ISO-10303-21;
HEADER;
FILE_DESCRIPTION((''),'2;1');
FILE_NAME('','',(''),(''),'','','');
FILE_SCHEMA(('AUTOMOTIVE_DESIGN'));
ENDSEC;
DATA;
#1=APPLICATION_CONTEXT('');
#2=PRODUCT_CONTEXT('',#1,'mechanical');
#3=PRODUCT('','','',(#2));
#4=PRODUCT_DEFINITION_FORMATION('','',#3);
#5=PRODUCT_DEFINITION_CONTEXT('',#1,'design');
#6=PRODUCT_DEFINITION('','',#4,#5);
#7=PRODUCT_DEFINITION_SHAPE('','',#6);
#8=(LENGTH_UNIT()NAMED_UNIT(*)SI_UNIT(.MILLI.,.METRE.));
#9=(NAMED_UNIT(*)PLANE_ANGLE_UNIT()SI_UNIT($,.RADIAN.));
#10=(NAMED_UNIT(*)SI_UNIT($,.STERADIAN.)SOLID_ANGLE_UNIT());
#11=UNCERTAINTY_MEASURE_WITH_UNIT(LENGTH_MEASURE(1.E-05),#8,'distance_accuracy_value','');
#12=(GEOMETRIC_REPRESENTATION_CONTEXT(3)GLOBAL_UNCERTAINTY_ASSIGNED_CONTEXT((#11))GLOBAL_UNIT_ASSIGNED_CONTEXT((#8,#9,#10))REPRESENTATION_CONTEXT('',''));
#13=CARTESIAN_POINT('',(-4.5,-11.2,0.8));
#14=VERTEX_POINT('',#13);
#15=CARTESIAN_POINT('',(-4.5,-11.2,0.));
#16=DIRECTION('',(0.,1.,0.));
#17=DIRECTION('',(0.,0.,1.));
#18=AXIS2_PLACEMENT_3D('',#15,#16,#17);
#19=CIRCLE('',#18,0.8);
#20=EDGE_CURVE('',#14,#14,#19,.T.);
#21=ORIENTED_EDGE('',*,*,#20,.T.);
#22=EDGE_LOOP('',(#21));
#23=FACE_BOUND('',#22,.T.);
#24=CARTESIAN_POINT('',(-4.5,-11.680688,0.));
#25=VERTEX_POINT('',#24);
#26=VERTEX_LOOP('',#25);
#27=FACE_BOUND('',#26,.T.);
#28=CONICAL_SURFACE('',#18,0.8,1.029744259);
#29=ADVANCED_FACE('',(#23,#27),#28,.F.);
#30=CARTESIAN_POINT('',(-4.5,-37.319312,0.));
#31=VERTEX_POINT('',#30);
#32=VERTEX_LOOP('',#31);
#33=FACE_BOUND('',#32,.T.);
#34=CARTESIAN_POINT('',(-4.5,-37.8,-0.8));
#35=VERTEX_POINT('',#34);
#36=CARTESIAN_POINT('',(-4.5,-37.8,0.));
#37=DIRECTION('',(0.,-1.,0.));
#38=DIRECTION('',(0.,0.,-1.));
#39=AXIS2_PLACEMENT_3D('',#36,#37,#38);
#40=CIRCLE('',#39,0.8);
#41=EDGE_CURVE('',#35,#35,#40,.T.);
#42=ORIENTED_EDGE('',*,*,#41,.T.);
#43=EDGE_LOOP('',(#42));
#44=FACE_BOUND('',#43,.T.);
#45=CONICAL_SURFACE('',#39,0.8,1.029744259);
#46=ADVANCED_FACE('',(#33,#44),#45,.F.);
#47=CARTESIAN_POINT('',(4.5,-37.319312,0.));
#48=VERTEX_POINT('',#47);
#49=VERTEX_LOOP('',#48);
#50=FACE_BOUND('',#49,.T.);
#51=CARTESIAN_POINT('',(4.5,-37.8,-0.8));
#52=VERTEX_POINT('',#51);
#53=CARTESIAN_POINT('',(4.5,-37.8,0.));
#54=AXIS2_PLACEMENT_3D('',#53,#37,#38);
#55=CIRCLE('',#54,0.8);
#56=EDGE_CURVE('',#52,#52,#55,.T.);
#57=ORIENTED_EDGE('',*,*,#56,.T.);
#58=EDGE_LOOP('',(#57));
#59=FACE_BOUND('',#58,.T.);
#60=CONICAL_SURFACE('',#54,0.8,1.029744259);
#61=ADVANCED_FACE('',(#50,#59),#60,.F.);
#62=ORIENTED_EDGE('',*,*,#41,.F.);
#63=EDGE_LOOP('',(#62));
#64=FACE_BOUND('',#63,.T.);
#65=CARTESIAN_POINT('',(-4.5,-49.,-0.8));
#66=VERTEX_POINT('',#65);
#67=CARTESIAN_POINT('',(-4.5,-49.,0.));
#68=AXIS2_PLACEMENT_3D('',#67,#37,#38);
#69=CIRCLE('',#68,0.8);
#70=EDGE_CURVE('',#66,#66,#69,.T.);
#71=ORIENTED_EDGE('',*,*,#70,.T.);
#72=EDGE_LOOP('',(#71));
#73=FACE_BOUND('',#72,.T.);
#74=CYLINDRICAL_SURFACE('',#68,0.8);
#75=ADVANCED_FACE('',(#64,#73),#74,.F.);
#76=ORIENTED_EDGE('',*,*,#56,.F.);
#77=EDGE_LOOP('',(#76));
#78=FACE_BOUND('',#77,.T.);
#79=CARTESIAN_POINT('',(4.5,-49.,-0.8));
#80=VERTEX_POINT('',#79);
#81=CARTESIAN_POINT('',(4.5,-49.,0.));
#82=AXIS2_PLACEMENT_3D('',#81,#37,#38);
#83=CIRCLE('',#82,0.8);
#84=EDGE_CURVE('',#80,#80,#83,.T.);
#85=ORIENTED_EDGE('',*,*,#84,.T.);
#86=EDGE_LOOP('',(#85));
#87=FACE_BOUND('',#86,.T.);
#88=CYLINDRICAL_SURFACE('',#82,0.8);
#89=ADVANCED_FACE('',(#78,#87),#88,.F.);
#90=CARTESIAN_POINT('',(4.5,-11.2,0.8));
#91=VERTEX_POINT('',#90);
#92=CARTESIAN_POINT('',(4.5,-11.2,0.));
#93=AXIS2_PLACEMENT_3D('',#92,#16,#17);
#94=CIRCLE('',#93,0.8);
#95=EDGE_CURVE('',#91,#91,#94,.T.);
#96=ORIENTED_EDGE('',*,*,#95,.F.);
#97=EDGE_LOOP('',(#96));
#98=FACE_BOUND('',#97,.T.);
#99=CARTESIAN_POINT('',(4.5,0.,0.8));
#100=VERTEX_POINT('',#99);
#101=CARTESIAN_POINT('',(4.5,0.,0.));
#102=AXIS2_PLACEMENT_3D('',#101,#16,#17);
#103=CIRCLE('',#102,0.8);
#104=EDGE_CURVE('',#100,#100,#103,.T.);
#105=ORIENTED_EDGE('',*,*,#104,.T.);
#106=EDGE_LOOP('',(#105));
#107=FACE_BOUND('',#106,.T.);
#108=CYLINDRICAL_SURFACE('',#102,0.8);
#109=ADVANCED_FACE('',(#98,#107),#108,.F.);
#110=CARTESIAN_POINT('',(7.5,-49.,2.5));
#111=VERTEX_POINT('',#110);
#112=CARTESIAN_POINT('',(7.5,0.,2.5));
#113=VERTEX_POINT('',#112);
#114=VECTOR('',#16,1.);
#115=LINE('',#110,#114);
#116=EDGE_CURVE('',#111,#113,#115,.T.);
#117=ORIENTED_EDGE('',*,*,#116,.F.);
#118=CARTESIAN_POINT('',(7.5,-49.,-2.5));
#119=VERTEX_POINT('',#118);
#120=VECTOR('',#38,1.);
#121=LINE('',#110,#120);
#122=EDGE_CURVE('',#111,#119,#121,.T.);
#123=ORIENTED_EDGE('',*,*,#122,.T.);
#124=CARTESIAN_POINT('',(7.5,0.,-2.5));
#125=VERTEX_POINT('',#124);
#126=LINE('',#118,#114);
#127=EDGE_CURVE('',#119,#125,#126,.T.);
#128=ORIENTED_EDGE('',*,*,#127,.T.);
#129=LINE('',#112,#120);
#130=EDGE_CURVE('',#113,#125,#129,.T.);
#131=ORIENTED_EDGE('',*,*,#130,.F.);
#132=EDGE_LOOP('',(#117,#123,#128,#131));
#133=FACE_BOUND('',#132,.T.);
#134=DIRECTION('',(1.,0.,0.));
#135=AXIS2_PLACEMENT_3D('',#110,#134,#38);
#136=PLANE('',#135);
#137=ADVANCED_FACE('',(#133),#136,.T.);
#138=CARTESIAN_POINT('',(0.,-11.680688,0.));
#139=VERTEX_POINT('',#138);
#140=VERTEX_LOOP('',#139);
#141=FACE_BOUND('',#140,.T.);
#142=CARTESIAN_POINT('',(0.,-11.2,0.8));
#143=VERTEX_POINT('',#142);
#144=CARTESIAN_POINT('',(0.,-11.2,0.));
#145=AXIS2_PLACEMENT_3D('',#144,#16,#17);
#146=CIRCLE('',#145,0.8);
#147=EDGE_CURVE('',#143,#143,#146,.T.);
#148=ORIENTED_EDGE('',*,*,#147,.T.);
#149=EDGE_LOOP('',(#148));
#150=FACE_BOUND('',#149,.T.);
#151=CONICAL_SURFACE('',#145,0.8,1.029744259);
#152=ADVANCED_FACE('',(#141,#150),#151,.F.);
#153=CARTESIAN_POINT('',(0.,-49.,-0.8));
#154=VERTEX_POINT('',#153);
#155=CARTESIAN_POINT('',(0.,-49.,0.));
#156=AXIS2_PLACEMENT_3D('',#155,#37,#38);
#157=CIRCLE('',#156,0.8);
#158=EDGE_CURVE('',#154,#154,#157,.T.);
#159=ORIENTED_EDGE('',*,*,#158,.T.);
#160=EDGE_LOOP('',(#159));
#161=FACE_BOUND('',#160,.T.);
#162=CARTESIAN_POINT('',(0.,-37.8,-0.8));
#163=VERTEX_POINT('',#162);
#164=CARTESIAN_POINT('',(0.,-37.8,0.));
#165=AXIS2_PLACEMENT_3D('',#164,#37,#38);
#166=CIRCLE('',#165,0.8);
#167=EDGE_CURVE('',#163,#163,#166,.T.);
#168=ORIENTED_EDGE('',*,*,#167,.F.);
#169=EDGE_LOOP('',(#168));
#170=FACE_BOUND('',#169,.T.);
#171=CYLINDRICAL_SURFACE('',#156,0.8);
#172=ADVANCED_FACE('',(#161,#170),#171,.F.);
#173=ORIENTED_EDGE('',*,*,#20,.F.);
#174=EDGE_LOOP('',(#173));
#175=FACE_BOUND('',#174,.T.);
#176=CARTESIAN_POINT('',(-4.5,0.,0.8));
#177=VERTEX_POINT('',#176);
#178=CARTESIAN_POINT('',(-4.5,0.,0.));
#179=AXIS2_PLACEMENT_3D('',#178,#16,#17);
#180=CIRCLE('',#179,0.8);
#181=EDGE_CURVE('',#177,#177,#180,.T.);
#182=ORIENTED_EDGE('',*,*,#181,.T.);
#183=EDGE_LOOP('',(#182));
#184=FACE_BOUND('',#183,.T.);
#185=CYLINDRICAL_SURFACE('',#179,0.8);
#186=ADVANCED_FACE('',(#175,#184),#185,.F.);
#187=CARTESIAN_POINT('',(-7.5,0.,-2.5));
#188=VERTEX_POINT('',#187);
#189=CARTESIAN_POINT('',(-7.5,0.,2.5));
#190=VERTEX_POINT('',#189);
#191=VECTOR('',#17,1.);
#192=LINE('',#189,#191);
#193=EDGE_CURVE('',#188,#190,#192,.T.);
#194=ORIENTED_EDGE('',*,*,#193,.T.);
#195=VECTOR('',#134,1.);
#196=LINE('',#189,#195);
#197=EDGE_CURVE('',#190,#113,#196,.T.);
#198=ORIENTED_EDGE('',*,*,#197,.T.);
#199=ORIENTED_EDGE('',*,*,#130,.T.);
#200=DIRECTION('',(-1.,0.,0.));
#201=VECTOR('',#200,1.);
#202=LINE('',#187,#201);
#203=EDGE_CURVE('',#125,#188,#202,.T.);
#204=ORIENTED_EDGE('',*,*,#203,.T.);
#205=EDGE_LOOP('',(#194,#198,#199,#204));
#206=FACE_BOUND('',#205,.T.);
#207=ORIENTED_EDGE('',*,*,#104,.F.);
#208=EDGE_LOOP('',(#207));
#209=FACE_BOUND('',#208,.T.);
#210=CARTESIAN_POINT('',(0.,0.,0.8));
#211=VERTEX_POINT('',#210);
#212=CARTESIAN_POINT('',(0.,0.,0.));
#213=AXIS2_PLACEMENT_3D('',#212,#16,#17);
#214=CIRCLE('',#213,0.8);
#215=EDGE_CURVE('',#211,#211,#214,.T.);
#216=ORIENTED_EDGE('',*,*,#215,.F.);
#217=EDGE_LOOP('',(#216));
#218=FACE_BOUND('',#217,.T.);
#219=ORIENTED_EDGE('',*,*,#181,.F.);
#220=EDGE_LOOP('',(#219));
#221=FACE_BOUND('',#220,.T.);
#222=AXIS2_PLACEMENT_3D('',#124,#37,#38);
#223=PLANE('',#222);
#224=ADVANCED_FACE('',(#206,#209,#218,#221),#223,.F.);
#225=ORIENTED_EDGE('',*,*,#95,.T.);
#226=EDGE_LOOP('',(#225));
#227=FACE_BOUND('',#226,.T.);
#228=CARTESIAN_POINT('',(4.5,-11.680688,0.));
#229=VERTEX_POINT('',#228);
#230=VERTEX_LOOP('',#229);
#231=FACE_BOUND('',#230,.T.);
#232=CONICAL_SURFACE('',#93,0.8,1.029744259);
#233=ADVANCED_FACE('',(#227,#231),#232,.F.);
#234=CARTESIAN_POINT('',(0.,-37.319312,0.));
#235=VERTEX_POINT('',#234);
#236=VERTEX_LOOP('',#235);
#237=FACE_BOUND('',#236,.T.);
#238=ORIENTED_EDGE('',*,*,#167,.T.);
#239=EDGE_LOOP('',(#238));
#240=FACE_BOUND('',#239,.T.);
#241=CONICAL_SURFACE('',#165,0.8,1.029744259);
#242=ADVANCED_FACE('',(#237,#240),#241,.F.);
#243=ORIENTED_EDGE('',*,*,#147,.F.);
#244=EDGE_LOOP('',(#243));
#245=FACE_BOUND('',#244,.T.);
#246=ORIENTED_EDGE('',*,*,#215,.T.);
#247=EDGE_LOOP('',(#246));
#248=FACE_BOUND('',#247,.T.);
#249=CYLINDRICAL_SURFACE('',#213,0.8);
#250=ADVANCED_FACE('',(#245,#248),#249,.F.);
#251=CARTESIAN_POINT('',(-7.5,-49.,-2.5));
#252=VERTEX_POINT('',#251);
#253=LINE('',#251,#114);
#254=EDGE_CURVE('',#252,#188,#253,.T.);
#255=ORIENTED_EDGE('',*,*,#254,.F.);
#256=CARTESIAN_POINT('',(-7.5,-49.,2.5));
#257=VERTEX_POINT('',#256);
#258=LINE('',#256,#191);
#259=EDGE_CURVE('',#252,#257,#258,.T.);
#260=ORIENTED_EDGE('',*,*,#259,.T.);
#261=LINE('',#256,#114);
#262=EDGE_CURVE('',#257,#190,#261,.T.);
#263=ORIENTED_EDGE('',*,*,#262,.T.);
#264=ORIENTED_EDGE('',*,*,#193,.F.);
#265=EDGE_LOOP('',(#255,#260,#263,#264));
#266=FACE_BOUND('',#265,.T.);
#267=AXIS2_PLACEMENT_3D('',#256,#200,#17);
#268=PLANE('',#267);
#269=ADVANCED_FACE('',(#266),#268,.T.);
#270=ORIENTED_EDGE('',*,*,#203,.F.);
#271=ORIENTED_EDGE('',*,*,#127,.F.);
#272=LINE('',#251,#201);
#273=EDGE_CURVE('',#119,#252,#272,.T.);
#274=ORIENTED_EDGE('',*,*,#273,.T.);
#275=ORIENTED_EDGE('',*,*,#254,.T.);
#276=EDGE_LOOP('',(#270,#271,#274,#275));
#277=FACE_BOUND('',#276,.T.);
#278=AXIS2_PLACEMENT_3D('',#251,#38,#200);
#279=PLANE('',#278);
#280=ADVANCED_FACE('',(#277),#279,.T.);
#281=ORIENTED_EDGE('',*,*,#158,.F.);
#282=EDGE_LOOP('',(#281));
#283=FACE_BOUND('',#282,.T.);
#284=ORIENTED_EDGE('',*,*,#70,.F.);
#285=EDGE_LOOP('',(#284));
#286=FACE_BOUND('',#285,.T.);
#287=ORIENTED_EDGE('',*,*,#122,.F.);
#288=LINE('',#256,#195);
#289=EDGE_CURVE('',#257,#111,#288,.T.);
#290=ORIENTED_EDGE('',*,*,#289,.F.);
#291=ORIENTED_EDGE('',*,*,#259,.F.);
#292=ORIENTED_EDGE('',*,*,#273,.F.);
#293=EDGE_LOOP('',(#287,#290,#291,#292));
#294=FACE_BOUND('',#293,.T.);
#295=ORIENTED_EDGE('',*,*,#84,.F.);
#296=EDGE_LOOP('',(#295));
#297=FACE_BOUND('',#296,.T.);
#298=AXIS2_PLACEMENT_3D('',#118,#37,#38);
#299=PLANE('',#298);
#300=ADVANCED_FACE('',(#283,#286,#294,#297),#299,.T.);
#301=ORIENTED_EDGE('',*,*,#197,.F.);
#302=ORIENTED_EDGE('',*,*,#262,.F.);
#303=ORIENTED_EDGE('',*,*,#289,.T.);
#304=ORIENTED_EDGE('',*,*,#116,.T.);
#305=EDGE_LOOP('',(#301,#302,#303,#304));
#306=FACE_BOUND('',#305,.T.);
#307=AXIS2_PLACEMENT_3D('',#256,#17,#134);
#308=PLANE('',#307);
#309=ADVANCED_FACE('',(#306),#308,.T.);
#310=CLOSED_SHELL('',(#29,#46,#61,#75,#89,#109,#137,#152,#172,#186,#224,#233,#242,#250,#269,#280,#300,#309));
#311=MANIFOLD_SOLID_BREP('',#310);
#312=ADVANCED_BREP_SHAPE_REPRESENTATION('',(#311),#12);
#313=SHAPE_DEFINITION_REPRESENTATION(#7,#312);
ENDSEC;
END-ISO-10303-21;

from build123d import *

# Parameters (mm, degrees)
SKETCH1_W             = 15
SKETCH1_H             = 5
BOSS_EXTRUDE1_DEPTH   = 49
M2_TAPPED_HOLE1_D     = 1.6
M2_TAPPED_HOLE1_DEPTH = 11.2
M2_TAPPED_HOLE1_TIP   = 0.480688495
M2_TAPPED_HOLE2_D     = 1.6
M2_TAPPED_HOLE2_DEPTH = 11.2
M2_TAPPED_HOLE2_TIP   = 0.480688495


with BuildPart() as part:
    # Sketch1 → Boss-Extrude1 (new body)
    with BuildSketch(Plane(origin=(0, 0, 0), x_dir=(1, 0, 0), z_dir=(0, 1, 0))):
        Rectangle(SKETCH1_W, SKETCH1_H)
    extrude(amount=-BOSS_EXTRUDE1_DEPTH)

    # M2 Tapped Hole1
    with Locations(Plane.XZ.offset(49)):
        with Locations((-4.5, 0), (4.5, 0), (0, 0)):
            Hole(M2_TAPPED_HOLE1_D / 2, depth=M2_TAPPED_HOLE1_DEPTH)
            with Locations((0, 0, -(M2_TAPPED_HOLE1_DEPTH + M2_TAPPED_HOLE1_TIP / 2))):  # 118° drill point
                Cone(0, M2_TAPPED_HOLE1_D / 2, M2_TAPPED_HOLE1_TIP, mode=Mode.SUBTRACT)

    # M2 Tapped Hole2
    with Locations(Plane(origin=(0, 0, 0), x_dir=(-1, 0, 0), z_dir=(0, 1, 0))):
        with Locations((4.5, 0), (0, 0), (-4.5, 0)):
            Hole(M2_TAPPED_HOLE2_D / 2, depth=M2_TAPPED_HOLE2_DEPTH)
            with Locations((0, 0, -(M2_TAPPED_HOLE2_DEPTH + M2_TAPPED_HOLE2_TIP / 2))):  # 118° drill point
                Cone(0, M2_TAPPED_HOLE2_D / 2, M2_TAPPED_HOLE2_TIP, mode=Mode.SUBTRACT)


solid = part.part
